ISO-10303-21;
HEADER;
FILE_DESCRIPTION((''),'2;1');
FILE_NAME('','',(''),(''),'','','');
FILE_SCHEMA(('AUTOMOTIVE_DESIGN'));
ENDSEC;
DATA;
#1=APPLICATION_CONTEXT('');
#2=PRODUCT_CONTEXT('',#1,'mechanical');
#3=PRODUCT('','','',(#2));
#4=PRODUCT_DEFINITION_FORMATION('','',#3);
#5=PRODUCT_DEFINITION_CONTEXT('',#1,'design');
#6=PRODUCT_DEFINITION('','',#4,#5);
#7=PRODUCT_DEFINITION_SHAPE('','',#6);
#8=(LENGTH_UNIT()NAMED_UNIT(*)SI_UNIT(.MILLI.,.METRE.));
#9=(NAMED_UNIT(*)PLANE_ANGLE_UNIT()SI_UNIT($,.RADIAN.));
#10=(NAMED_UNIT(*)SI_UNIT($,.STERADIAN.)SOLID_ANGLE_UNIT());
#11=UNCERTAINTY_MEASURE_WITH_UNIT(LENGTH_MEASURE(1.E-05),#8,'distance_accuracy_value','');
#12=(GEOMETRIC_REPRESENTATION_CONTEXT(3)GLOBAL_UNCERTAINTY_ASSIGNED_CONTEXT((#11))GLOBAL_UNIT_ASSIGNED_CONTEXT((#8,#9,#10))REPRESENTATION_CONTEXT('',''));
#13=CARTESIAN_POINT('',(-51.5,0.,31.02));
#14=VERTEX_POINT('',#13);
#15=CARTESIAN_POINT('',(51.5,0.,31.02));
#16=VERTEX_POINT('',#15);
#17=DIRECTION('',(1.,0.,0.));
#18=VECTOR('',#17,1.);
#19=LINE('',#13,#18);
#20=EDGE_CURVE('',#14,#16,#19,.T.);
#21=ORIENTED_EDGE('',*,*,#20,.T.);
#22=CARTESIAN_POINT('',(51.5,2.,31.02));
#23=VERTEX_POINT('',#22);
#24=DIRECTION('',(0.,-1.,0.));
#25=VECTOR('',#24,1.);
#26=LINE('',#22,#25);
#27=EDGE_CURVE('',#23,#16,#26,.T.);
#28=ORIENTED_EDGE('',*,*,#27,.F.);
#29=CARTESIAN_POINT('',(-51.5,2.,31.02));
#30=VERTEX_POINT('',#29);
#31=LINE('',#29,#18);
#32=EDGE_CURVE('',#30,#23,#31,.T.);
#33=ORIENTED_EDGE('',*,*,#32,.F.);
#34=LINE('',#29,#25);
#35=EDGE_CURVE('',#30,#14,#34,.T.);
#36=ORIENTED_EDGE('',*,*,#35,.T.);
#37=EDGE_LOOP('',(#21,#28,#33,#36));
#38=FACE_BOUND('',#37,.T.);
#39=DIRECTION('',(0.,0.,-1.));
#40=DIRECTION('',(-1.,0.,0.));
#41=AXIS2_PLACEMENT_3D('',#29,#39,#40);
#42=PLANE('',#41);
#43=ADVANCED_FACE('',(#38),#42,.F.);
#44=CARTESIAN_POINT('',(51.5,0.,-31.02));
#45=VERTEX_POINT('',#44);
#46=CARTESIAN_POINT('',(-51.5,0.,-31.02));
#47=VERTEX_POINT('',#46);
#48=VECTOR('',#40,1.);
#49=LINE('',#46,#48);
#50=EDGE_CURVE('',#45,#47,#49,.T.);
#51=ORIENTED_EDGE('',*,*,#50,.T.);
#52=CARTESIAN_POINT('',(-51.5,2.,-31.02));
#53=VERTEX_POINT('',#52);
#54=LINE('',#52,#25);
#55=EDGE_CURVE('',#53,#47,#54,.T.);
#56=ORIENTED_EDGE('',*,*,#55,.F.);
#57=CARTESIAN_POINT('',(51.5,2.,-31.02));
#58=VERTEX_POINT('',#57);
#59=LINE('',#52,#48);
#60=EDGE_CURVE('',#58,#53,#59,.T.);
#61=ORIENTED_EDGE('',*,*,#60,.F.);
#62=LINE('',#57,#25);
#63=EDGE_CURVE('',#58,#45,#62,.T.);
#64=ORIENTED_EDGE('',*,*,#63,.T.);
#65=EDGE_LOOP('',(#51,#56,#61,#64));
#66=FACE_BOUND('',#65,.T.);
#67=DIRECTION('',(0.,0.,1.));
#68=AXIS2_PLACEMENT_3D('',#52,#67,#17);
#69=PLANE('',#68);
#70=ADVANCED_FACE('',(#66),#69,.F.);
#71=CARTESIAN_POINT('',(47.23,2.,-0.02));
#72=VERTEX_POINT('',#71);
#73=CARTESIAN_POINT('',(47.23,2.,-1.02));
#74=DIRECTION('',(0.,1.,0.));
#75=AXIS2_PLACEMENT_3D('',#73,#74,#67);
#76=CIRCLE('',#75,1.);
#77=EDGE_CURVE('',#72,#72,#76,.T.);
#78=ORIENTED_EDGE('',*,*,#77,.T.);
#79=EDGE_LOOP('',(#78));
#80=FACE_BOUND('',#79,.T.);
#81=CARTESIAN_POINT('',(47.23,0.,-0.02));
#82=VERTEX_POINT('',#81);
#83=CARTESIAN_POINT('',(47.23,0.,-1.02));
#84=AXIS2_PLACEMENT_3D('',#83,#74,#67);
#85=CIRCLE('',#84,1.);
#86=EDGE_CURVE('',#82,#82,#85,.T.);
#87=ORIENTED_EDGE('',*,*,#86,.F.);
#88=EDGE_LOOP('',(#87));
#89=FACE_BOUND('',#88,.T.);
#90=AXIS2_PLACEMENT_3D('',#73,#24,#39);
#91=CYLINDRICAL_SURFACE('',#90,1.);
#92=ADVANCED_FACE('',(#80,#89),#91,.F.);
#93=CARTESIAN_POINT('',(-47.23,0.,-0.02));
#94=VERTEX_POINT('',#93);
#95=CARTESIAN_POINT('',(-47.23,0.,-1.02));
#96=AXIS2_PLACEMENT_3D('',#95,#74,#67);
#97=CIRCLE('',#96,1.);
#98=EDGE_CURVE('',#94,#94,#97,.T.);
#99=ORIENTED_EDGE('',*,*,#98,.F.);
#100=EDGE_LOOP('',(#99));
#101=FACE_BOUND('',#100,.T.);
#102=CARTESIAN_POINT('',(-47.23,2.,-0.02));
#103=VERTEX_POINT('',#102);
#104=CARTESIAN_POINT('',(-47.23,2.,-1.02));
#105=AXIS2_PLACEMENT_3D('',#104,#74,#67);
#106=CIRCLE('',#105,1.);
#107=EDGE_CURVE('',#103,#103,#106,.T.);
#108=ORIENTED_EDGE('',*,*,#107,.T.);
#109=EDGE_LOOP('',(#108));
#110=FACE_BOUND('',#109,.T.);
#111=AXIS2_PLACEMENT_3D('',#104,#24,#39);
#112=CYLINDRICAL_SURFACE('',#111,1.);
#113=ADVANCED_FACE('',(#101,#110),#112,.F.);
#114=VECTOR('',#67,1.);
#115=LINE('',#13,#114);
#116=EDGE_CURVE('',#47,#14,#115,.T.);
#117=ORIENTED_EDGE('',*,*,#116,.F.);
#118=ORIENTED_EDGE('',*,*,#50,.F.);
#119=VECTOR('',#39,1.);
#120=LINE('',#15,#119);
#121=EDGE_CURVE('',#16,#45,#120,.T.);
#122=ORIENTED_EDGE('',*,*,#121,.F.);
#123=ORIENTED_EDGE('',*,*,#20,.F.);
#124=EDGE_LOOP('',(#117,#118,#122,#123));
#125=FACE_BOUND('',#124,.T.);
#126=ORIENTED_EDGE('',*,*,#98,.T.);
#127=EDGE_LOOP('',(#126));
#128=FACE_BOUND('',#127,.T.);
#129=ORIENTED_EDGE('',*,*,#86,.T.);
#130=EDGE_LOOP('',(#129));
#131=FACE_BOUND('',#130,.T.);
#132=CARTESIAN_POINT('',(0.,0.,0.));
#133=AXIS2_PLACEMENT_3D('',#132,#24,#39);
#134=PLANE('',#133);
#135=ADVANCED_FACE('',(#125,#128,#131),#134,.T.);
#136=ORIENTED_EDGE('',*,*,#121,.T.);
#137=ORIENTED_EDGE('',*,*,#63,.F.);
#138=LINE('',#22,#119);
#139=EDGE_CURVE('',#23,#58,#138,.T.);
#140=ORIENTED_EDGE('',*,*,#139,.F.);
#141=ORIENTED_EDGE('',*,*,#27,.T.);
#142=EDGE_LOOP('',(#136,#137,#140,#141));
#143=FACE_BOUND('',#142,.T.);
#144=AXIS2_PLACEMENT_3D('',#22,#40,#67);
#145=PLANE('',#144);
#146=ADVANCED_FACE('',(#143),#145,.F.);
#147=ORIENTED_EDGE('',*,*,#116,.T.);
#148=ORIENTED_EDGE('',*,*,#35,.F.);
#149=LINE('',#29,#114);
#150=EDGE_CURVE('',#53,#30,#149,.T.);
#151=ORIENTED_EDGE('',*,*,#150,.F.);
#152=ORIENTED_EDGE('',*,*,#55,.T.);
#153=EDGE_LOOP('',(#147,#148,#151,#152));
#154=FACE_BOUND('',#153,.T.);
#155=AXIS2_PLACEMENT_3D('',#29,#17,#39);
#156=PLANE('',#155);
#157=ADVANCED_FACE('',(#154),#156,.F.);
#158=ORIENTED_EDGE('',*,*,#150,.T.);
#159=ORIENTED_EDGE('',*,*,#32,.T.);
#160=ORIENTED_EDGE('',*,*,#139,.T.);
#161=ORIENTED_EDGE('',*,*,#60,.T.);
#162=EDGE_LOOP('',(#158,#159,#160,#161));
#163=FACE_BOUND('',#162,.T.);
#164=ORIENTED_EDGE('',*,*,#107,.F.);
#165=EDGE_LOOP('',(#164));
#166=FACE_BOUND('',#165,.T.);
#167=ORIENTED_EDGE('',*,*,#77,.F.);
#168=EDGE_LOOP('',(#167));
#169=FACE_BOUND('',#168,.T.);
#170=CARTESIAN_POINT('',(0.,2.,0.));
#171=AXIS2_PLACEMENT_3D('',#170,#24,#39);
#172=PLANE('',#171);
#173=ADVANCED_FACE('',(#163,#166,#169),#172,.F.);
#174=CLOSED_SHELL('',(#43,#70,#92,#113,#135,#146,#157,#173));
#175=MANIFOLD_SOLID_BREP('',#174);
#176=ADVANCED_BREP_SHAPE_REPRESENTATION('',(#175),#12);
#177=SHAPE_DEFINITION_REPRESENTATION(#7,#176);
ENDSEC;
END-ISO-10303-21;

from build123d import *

# Parameters (mm, degrees)
SKETCH1_W           = 103
SKETCH1_H           = 62.04
SKETCH1_R           = 1
BOSS_EXTRUDE1_DEPTH = 2


with BuildPart() as part:
    # Sketch1 → Boss-Extrude1 (new body)
    with BuildSketch(Plane(origin=(0, 0, 0), x_dir=(1, 0, 0), z_dir=(0, 1, 0))):
        Rectangle(SKETCH1_W, SKETCH1_H)
        with Locations((47.23, 1.02)):
            Circle(SKETCH1_R, mode=Mode.SUBTRACT)
        with Locations((-47.23, 1.02)):
            Circle(SKETCH1_R, mode=Mode.SUBTRACT)
    extrude(amount=BOSS_EXTRUDE1_DEPTH)


solid = part.part
